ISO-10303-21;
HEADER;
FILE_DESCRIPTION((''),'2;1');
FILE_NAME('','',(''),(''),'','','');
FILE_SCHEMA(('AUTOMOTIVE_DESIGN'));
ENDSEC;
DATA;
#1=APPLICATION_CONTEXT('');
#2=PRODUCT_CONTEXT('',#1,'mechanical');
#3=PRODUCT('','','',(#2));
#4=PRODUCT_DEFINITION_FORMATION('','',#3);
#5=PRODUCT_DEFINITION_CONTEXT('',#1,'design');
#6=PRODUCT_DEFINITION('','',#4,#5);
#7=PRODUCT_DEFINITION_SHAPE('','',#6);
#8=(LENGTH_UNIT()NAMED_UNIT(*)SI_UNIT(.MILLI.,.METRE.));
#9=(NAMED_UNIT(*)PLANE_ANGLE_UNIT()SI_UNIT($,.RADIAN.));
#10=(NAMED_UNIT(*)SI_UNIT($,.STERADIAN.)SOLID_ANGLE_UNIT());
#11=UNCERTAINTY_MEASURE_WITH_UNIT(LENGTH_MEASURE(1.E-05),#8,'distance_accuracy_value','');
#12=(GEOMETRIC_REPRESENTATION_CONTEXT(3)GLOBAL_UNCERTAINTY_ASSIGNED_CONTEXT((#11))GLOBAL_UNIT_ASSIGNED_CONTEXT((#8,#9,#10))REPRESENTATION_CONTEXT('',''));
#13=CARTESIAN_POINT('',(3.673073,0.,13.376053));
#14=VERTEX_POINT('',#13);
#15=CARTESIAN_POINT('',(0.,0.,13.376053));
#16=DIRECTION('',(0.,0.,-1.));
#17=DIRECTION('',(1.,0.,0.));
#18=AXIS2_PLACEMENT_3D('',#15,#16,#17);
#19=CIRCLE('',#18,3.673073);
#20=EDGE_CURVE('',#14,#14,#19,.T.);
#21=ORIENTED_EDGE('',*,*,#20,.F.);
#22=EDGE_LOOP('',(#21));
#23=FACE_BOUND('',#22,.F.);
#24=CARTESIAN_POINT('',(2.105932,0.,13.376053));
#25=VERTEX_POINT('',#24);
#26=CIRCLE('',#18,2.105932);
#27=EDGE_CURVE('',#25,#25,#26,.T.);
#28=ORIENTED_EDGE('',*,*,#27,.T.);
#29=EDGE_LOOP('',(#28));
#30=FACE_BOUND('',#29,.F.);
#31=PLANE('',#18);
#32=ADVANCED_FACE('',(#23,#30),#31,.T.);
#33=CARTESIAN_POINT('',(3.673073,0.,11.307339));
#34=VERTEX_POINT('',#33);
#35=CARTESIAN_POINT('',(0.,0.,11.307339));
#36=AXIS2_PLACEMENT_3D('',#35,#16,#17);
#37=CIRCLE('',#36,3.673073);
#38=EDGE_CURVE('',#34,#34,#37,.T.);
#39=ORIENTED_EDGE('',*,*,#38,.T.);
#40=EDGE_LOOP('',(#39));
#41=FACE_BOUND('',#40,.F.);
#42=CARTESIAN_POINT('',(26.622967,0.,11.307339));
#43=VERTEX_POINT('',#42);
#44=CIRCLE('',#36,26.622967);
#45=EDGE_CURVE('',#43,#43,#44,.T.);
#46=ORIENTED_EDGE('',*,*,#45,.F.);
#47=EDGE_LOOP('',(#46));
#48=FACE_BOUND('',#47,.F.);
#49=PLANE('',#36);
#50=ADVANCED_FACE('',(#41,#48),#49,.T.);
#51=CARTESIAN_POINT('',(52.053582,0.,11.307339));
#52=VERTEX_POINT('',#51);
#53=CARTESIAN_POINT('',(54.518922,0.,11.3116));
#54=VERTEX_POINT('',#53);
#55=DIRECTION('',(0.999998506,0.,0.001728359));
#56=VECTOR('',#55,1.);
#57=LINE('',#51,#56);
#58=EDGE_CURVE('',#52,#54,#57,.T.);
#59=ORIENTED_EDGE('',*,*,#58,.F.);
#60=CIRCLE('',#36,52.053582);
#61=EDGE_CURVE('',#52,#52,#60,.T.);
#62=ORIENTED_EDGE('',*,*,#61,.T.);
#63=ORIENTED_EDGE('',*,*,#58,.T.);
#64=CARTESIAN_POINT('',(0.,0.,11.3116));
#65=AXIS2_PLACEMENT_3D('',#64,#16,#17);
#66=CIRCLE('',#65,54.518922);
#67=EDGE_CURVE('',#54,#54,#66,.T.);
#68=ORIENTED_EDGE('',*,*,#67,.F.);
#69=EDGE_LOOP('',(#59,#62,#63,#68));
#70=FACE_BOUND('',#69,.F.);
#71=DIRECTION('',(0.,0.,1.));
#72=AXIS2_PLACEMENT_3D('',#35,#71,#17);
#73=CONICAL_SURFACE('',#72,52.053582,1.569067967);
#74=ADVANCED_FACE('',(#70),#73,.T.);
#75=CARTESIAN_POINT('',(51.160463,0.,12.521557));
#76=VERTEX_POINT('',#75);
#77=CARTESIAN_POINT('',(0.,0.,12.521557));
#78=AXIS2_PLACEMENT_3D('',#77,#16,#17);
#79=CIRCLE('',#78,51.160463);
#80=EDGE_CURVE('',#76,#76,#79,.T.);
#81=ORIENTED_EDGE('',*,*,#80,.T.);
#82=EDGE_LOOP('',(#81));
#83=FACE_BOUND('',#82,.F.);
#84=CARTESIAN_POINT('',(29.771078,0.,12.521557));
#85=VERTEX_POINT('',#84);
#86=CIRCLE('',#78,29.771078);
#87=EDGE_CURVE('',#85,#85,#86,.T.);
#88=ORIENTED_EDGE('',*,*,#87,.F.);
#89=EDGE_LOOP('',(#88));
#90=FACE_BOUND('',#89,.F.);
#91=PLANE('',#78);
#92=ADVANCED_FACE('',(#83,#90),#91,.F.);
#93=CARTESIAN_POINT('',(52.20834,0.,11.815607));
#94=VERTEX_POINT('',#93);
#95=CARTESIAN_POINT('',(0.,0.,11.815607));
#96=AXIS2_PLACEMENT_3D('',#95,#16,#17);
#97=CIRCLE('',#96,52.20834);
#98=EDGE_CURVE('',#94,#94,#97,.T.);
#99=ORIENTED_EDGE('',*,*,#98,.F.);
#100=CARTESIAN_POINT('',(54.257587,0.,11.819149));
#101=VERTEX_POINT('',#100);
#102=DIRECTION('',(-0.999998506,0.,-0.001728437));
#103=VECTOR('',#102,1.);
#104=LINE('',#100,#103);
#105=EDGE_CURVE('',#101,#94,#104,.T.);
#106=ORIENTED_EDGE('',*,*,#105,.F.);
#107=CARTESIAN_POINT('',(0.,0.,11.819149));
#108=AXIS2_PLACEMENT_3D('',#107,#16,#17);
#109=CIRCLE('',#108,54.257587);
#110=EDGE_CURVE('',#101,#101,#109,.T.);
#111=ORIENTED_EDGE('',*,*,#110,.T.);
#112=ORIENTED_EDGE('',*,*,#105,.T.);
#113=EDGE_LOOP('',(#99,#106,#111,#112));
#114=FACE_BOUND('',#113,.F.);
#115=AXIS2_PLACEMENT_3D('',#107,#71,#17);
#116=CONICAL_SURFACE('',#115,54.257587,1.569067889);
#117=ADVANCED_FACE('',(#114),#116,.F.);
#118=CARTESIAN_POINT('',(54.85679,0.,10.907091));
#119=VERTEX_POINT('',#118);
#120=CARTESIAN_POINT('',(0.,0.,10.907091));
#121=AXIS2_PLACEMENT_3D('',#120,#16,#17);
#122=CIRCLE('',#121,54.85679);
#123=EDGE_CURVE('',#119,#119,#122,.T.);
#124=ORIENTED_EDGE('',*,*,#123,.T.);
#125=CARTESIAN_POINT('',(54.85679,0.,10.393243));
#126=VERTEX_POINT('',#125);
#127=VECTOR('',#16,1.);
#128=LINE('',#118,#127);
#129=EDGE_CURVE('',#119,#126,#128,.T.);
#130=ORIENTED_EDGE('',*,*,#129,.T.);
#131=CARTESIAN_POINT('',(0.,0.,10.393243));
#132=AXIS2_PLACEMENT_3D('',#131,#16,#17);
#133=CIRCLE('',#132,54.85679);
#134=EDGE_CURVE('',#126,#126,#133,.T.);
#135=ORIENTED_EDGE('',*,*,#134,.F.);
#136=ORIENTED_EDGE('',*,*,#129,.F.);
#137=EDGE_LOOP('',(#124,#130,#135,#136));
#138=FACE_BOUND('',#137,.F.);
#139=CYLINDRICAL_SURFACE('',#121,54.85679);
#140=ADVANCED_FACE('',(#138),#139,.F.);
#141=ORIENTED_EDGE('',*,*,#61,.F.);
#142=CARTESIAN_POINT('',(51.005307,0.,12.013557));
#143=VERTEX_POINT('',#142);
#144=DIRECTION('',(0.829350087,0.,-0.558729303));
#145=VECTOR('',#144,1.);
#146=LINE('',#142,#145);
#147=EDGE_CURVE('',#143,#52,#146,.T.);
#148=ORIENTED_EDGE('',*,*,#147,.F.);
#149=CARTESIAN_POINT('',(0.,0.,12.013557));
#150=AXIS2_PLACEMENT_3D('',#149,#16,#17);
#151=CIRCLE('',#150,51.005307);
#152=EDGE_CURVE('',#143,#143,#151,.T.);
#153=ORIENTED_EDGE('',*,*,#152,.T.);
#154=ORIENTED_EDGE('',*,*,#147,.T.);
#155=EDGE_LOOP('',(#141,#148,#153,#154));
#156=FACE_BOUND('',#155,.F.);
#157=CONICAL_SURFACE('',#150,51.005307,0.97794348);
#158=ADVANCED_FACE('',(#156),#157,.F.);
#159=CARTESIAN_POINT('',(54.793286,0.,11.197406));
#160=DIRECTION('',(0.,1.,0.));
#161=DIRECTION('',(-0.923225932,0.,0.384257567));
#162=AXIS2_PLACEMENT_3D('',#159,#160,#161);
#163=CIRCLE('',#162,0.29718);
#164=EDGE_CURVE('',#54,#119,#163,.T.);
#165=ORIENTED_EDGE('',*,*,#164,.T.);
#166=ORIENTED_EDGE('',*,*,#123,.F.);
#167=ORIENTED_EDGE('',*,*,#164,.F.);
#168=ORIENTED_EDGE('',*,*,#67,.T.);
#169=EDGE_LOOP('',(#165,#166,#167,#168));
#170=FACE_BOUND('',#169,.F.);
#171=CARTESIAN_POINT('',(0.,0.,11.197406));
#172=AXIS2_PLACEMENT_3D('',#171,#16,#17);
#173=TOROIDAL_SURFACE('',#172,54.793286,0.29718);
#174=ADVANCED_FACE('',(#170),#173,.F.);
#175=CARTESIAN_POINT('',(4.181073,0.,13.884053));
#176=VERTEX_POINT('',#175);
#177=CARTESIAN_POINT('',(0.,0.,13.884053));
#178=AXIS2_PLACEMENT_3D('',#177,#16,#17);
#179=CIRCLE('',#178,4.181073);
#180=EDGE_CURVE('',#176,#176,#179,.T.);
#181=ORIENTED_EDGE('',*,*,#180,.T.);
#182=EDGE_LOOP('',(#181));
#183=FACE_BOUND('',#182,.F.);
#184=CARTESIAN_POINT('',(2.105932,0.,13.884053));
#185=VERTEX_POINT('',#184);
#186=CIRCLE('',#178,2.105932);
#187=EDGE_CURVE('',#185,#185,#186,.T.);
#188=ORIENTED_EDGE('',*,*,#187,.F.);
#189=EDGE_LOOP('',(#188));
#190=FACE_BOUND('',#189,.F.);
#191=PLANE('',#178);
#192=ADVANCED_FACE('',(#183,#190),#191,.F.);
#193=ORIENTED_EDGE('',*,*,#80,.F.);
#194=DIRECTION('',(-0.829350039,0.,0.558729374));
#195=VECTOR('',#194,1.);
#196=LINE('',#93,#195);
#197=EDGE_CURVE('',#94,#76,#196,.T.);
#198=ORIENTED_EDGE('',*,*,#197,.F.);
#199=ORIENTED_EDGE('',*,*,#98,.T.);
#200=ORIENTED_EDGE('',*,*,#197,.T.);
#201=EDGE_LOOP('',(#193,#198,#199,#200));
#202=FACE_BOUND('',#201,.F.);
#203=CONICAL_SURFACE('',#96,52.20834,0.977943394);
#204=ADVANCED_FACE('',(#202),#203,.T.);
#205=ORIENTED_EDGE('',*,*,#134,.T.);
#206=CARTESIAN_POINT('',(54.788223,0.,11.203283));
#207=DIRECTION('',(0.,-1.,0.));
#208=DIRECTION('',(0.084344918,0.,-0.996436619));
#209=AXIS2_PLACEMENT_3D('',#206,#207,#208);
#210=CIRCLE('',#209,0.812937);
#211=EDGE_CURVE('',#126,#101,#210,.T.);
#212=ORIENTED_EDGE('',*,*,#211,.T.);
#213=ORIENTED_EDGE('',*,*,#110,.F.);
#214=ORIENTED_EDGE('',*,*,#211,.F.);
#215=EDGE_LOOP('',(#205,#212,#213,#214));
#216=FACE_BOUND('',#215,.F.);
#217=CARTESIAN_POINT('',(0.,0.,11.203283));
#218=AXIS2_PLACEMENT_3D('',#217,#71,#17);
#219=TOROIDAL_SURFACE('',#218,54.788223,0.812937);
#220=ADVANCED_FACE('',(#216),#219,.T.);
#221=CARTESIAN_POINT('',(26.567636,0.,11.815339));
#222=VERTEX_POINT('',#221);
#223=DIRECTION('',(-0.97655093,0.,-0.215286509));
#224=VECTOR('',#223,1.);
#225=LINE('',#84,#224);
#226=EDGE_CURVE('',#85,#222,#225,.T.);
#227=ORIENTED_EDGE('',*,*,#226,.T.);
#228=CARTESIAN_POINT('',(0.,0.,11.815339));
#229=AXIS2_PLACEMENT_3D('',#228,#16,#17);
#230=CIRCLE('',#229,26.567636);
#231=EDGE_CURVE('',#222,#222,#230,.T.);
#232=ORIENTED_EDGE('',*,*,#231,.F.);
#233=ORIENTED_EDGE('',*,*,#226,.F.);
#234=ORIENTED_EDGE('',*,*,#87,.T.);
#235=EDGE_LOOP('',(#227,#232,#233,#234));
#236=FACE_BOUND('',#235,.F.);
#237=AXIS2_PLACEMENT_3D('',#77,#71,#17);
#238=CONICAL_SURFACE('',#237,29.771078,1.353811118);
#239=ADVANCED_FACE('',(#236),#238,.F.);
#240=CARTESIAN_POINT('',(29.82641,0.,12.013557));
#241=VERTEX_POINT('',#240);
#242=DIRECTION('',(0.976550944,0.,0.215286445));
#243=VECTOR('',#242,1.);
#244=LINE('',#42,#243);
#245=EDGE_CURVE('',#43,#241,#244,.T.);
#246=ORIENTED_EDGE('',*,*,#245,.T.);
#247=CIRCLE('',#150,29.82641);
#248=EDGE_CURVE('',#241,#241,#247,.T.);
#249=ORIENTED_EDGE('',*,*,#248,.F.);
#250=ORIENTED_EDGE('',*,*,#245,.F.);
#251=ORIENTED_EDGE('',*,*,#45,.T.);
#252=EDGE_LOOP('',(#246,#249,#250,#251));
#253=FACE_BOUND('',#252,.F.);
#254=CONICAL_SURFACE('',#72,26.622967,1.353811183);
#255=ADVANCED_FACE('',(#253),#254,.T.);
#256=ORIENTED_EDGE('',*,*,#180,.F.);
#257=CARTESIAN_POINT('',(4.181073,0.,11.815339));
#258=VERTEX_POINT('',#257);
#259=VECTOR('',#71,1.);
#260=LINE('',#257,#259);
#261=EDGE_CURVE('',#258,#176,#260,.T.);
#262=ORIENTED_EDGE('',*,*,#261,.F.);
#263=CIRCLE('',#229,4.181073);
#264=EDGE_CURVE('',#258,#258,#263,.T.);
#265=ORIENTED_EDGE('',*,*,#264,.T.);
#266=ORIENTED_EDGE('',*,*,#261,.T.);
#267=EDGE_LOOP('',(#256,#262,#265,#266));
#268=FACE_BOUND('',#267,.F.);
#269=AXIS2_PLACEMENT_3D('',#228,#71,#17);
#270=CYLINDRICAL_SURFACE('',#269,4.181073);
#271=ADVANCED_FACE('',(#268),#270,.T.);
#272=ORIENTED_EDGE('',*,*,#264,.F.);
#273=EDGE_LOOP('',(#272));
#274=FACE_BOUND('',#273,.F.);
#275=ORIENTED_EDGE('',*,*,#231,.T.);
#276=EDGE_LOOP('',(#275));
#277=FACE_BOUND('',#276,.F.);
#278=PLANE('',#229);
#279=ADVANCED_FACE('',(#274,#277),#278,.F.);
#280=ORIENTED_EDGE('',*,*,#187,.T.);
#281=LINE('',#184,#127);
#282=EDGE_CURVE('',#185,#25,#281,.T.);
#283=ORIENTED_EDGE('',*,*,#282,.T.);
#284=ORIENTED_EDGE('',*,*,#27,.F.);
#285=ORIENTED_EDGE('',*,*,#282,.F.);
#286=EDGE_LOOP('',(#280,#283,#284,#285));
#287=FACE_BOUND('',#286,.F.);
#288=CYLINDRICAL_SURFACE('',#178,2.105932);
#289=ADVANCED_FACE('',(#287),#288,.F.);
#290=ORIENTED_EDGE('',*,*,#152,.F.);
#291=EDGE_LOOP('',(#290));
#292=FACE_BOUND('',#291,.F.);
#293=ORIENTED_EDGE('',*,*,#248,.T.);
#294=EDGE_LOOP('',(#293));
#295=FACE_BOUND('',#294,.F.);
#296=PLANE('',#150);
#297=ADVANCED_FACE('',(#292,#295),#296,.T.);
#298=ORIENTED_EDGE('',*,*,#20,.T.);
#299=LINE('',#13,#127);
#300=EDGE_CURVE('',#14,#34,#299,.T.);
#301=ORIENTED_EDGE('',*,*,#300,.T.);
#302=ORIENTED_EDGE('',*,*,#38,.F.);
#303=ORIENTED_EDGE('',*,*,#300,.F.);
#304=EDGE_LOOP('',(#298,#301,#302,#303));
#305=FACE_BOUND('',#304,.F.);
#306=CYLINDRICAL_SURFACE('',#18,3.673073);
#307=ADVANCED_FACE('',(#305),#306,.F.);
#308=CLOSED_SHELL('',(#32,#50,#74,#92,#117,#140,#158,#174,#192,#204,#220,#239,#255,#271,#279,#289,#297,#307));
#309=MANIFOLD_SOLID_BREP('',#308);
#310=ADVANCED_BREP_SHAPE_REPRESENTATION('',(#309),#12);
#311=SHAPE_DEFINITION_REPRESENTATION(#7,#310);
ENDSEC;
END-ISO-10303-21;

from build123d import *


with BuildPart() as f1:
    # F0 (on Front) → F1 (revolve)
    with BuildSketch(Plane.XZ):
        with BuildLine():
            ThreePointArc((54.518922, 11.3116), (55.02137, 11.387915), (54.85679, 10.907091))
            Line((54.85679, 10.907091), (54.85679, 10.393243))
            ThreePointArc((54.85679, 10.393243), (55.537675, 11.518223), (54.257587, 11.819149))
            Line((54.257587, 11.819149), (52.20834, 11.815607))
            Line((52.20834, 11.815607), (51.160463, 12.521557))
            Line((51.160463, 12.521557), (29.771078, 12.521557))
            Line((29.771078, 12.521557), (26.567636, 11.815339))
            Line((26.567636, 11.815339), (4.181073, 11.815339))
            Line((4.181073, 11.815339), (4.181073, 13.884053))
            Line((4.181073, 13.884053), (2.105932, 13.884053))
            Line((2.105932, 13.884053), (2.105932, 13.376053))
            Line((2.105932, 13.376053), (3.673073, 13.376053))
            Line((3.673073, 13.376053), (3.673073, 11.307339))
            Line((3.673073, 11.307339), (26.622967, 11.307339))
            Line((26.622967, 11.307339), (29.82641, 12.013557))
            Line((29.82641, 12.013557), (51.005307, 12.013557))
            Line((51.005307, 12.013557), (52.053582, 11.307339))
            Line((52.053582, 11.307339), (54.518922, 11.3116))
        make_face()
    revolve(axis=Axis((0, 0, 13.630053), (0, 0, -1)))


solid = f1.part
